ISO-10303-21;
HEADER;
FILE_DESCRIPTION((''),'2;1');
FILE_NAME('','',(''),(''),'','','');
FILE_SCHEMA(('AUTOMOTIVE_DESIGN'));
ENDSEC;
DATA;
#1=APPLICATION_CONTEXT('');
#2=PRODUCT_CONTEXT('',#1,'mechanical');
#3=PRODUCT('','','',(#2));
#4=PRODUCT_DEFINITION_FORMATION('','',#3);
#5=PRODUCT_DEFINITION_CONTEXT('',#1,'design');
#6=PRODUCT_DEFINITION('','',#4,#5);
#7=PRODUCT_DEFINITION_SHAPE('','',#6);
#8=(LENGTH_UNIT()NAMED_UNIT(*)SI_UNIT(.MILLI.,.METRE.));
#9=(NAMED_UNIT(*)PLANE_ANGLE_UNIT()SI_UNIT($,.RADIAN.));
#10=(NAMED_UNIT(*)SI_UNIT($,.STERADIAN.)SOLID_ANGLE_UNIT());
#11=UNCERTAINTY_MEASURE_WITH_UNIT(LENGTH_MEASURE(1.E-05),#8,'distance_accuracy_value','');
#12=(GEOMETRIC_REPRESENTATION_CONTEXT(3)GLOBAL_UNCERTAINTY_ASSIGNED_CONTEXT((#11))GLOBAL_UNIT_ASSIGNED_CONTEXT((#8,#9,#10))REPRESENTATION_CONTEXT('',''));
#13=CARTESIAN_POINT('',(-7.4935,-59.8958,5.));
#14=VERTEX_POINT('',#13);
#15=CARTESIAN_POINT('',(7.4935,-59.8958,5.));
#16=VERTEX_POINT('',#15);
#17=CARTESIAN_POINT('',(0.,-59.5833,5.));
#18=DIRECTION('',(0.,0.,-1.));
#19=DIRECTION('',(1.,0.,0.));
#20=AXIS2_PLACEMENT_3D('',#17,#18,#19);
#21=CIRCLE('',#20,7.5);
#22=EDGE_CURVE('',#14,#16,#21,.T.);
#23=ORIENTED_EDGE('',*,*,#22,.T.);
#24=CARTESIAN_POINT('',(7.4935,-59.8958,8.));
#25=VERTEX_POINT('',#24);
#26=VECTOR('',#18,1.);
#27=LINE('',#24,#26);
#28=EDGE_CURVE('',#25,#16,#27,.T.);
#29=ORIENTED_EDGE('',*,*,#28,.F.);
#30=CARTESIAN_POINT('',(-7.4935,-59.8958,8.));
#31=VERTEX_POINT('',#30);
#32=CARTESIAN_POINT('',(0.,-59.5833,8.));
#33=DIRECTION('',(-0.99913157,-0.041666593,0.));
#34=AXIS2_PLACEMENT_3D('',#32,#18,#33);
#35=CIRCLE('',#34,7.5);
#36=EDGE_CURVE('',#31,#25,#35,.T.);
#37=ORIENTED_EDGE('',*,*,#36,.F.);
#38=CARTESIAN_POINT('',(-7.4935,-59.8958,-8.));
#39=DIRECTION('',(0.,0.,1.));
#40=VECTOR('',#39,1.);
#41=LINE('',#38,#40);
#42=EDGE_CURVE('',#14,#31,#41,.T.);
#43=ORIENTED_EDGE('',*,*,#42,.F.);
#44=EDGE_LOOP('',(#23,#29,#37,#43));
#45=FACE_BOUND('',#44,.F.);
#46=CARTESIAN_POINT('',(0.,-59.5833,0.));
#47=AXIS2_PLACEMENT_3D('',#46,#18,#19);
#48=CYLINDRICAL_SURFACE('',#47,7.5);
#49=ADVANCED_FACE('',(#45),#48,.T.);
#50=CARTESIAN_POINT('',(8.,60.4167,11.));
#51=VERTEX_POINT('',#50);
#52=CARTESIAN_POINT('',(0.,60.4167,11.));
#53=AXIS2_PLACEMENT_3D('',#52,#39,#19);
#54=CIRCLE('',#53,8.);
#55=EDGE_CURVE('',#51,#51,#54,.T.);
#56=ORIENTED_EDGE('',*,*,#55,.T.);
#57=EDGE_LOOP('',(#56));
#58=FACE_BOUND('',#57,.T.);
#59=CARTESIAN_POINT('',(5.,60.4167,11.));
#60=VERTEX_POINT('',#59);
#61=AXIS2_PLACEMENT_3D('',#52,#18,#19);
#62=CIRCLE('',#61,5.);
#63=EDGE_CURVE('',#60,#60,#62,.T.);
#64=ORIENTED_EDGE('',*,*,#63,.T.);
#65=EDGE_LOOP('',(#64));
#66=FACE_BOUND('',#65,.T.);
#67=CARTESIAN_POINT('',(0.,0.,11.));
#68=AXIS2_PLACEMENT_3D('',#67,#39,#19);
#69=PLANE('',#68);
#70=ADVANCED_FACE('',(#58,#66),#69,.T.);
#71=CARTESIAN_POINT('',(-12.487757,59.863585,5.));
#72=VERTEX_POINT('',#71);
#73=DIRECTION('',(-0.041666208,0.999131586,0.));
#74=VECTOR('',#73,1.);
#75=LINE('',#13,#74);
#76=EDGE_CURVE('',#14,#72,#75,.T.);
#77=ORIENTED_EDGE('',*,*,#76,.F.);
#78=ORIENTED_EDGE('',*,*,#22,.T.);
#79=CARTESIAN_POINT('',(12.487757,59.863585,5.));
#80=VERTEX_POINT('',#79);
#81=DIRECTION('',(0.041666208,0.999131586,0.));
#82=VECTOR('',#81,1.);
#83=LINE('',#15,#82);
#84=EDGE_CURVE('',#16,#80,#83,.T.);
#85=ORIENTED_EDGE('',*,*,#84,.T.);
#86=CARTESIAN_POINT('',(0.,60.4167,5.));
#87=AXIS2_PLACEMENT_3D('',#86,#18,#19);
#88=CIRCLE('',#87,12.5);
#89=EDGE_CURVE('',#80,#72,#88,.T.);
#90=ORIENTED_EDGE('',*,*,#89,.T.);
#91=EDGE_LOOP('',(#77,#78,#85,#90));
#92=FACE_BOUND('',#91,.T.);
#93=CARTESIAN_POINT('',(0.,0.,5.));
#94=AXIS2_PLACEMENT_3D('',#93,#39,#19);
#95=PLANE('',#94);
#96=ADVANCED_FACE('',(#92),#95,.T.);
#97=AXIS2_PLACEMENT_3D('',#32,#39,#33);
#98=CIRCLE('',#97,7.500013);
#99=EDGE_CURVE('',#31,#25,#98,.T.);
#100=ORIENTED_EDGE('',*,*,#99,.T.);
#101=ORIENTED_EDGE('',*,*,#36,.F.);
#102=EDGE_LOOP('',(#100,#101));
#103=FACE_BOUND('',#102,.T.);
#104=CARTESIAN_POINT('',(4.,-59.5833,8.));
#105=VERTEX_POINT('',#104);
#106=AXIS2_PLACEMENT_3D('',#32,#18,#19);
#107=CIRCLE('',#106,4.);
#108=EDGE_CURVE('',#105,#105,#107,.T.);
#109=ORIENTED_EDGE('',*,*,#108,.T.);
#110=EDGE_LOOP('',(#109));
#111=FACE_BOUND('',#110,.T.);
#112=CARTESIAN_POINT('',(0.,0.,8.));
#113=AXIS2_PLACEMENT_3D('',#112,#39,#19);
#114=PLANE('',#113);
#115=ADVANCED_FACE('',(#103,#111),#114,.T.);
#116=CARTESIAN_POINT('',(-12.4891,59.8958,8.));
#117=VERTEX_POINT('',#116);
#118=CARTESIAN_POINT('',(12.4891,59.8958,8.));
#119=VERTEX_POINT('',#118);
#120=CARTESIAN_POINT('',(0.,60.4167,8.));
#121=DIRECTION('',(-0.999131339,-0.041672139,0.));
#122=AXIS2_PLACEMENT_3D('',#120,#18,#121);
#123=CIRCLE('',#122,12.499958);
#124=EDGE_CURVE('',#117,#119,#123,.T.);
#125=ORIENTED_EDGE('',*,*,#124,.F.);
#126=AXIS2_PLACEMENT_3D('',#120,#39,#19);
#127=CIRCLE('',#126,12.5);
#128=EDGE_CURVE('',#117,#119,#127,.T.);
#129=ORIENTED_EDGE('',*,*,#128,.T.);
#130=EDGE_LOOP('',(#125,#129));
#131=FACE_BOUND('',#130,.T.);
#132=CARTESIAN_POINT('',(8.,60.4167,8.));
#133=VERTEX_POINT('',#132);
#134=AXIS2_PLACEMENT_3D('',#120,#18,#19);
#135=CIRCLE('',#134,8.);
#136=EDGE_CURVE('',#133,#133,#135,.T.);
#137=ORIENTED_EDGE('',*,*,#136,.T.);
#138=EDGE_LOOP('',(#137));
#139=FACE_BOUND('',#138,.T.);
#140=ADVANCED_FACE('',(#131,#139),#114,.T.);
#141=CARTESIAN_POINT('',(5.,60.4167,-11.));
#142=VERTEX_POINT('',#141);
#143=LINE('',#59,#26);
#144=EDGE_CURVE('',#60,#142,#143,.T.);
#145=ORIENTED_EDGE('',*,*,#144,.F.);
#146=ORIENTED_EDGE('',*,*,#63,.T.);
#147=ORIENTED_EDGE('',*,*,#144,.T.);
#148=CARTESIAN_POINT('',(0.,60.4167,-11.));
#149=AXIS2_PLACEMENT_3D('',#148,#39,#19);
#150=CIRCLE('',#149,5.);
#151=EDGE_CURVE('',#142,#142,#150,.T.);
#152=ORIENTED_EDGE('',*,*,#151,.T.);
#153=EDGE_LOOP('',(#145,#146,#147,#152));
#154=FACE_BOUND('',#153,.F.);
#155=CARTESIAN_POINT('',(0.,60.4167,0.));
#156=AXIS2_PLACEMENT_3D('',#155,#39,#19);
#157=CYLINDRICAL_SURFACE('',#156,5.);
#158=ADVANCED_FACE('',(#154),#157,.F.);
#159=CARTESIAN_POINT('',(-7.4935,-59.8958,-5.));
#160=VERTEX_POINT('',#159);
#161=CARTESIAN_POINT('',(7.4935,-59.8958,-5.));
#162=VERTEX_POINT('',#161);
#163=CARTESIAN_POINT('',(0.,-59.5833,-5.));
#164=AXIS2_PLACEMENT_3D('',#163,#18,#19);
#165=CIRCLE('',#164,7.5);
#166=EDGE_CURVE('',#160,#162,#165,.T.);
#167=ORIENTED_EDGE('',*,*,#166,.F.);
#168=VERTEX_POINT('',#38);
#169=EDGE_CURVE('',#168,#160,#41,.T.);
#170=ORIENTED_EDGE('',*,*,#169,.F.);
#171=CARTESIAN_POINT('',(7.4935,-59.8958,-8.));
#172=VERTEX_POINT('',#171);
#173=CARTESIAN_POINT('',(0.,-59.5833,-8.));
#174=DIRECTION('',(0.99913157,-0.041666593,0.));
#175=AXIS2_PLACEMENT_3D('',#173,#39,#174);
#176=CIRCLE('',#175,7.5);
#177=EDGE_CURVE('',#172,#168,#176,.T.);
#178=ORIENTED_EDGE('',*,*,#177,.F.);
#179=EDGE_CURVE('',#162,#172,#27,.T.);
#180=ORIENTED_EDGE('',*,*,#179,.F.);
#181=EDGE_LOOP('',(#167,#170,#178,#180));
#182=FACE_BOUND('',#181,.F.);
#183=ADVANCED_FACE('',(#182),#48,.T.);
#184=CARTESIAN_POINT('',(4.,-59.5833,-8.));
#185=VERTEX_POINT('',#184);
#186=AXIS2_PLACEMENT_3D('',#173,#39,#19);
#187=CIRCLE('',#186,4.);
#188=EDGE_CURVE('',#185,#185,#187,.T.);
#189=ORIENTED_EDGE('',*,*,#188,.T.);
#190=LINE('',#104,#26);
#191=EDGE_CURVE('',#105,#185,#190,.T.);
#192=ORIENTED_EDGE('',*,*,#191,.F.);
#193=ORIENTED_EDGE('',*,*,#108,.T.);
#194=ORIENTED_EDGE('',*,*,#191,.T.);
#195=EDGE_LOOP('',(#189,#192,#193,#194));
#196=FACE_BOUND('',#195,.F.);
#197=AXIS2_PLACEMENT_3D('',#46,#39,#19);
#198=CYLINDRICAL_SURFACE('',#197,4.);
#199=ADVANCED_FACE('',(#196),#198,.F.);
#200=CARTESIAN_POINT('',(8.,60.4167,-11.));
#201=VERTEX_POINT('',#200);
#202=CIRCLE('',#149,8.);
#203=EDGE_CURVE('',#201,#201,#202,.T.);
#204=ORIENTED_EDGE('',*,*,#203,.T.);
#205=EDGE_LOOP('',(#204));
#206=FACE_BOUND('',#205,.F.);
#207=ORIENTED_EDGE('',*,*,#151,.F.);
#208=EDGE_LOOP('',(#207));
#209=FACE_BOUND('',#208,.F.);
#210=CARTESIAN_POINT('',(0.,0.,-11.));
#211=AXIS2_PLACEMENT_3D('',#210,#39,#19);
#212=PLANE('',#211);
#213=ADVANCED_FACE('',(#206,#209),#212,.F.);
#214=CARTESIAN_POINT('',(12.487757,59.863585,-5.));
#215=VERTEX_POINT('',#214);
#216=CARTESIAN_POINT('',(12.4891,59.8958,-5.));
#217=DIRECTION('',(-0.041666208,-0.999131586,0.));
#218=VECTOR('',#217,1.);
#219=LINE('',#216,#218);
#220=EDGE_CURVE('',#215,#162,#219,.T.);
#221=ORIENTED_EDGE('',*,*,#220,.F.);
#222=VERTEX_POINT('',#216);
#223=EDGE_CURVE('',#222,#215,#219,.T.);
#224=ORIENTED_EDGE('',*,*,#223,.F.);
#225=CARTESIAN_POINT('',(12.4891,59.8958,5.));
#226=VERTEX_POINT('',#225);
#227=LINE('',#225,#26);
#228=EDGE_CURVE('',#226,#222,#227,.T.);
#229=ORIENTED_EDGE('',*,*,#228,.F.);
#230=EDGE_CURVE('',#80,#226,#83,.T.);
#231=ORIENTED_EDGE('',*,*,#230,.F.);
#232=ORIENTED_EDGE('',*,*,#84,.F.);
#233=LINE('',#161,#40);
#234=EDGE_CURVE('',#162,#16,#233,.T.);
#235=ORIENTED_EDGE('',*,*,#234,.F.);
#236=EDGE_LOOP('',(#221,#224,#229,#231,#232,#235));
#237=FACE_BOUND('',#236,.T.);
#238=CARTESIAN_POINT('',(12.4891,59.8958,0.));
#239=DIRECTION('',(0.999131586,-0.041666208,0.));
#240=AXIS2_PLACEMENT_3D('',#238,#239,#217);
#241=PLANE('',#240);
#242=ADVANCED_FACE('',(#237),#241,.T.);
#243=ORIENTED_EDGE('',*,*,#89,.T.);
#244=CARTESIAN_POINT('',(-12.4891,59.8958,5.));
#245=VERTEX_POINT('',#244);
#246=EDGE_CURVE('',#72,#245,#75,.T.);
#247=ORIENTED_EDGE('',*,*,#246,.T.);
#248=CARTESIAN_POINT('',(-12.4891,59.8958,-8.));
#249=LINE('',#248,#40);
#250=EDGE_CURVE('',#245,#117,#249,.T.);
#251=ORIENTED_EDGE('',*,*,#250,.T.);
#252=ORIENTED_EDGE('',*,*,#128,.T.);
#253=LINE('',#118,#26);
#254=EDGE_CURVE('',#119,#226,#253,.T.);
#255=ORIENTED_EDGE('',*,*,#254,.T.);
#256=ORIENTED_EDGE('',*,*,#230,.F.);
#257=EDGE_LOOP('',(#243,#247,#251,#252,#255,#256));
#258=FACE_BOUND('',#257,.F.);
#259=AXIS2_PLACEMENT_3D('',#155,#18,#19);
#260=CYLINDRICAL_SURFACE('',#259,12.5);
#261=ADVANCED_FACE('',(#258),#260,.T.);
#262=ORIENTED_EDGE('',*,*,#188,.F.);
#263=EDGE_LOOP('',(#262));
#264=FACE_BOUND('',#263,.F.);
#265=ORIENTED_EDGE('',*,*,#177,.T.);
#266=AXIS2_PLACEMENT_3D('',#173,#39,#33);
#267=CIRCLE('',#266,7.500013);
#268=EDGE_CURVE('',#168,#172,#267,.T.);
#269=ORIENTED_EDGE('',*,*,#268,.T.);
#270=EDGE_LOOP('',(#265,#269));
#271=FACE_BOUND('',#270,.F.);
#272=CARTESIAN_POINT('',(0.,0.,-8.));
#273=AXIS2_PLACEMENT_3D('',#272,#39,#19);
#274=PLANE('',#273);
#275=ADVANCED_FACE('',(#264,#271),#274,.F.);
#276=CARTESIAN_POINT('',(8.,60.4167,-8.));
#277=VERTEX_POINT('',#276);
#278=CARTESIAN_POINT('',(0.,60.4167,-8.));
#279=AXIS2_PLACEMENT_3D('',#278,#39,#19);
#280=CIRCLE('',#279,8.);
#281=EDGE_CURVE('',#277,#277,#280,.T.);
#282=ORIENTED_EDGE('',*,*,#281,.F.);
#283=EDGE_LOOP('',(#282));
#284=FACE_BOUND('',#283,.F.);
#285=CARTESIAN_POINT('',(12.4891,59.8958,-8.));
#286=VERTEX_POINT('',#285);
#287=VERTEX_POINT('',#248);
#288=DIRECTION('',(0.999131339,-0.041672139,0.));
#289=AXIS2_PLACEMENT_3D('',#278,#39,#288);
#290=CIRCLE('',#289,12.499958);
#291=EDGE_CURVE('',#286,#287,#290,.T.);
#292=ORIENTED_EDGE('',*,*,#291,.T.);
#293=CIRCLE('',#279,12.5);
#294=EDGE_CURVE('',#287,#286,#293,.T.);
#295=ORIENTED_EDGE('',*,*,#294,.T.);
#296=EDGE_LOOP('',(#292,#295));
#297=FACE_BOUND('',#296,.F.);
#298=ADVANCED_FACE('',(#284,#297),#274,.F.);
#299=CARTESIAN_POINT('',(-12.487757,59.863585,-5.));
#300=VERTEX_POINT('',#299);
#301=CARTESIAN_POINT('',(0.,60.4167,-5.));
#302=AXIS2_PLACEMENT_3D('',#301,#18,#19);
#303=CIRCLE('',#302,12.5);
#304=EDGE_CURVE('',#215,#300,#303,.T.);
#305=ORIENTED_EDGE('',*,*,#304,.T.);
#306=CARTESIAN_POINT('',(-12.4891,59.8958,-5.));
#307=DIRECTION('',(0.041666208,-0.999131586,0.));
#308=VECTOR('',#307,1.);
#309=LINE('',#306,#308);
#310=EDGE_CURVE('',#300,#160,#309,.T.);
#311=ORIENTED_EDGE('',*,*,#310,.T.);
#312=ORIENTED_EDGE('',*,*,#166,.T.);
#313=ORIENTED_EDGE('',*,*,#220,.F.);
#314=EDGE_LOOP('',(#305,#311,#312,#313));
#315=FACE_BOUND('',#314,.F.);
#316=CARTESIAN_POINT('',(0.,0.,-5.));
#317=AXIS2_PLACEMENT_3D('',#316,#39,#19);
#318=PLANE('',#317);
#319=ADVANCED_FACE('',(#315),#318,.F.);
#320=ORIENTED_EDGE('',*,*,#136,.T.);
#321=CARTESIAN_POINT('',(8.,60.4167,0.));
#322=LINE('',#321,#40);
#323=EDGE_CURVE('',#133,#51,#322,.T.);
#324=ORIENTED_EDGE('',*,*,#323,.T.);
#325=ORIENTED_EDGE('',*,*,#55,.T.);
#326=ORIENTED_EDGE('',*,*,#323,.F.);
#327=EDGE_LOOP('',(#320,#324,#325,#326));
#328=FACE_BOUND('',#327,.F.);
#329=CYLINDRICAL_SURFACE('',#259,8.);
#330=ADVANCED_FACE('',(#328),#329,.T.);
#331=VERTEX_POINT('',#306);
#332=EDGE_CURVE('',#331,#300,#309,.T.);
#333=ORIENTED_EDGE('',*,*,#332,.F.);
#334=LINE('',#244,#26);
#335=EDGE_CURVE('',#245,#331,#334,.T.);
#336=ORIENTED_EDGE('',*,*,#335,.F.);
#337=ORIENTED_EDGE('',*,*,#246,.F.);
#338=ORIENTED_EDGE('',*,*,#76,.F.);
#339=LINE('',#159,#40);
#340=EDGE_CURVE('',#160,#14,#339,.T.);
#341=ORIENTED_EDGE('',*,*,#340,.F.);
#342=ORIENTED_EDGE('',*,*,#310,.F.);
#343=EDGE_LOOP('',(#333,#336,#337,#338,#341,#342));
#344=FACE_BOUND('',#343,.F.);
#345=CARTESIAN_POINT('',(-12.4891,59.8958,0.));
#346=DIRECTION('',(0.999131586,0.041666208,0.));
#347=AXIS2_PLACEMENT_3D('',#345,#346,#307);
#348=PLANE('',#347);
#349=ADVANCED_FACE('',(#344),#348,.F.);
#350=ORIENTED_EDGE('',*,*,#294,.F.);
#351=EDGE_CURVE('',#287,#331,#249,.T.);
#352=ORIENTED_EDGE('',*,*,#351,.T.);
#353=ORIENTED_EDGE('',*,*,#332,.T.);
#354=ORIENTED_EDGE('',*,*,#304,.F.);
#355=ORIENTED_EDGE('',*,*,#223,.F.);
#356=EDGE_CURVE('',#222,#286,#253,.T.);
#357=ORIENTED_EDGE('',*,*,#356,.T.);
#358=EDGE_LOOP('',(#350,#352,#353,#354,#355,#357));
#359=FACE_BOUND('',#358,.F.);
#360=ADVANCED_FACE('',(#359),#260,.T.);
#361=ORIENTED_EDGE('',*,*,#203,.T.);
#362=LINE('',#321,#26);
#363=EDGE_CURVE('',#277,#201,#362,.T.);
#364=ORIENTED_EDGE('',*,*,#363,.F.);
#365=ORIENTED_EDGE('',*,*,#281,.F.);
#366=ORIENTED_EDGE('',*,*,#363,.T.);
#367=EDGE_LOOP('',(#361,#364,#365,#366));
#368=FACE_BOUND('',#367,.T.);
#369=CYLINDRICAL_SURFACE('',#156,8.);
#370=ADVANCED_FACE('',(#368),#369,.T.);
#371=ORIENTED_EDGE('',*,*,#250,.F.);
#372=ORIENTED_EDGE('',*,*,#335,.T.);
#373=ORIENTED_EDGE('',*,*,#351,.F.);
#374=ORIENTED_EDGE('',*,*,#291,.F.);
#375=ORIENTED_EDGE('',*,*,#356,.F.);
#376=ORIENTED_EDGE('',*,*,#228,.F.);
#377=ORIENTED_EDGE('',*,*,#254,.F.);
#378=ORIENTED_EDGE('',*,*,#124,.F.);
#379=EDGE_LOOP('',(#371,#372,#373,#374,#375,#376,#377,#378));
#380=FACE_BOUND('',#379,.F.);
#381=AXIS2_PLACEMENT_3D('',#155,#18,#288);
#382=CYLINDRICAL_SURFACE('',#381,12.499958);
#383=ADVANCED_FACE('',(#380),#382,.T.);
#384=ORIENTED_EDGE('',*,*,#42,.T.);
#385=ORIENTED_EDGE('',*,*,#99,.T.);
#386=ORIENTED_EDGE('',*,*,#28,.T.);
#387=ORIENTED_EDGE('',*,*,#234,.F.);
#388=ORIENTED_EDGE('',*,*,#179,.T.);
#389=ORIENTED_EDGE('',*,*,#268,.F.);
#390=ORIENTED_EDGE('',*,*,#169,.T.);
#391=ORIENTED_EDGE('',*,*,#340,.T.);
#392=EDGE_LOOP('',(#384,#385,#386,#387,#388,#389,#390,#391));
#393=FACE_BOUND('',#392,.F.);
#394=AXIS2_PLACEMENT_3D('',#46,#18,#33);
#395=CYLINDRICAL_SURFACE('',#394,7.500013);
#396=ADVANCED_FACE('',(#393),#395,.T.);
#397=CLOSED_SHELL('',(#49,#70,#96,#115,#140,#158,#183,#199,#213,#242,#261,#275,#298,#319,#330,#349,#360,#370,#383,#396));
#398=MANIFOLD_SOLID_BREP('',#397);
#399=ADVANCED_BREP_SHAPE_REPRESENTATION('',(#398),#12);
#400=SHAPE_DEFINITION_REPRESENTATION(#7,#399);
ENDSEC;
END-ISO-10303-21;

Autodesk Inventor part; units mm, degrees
ref_plane "YZ Plane" through (0, 0, 0) normal (1, 0, 0) x (0, 1, 0)
ref_plane "XZ Plane" through (0, 0, 0) normal (0, 1, 0) x (-1, 0, 0)
ref_plane "XY Plane" through (0, 0, 0) normal (0, 0, 1) x (1, 0, 0)
sketch "Sketch1" plane through (0, 0, 0) normal (0, 0, 1) x (1, 0, 0)
  line L0 (-17.5, 0) -> (17.5, 0) projected
  line L1 (0, -95.0833) -> (0, 100.9167) projected
  arc A0 (12.4891, 59.8958) -> (-12.4891, 59.8958) centre (0, 60.4167) ccw
  arc A1 (-7.4935, -59.8958) -> (7.4935, -59.8958) centre (0, -59.5833) ccw
  line L2 (-12.4891, 59.8958) -> (-7.4935, -59.8958)
  line L3 (12.4891, 59.8958) -> (7.4935, -59.8958)
  point P0 (0, 0)
  point P1 (-9.9913, 0)
  dimension "d0" = 25
  dimension "d1" = 15
  dimension "d2" = 120
extrude "Extrusion1" add sketch "Sketch1" along normal mid plane 10
sketch "Sketch2" plane through (0, 0, 0) normal (0, 0, 1) x (1, 0, 0)
  line L0 (-7.4935, -59.8958) -> (-12.4891, 59.8958) projected
  arc A0 (12.4891, 59.8958) -> (-12.4891, 59.8958) centre (0, 60.4167) ccw projected
  line L1 (12.4891, 59.8958) -> (7.4935, -59.8958) projected
  arc A1 (-7.4935, -59.8958) -> (7.4935, -59.8958) centre (0, -59.5833) ccw projected
  circle A2 centre (0, 60.4167) radius 12.5
  circle A3 centre (0, -59.5833) radius 7.5
  point P0 (0, 0)
extrude "Extrusion2" add sketch "Sketch2" along normal mid plane 16 contours A3 A1 | A0 A2
sketch "Sketch3" plane through (0, 0, 0) normal (0, 0, 1) x (1, 0, 0)
  circle A0 centre (0, 60.4167) radius 8
  circle A1 centre (0, 60.4167) radius 12.5 projected
  point P0 (0, 0)
  dimension "d7" = 16
extrude "Extrusion3" add sketch "Sketch3" along normal mid plane 22 contours A0
sketch "Sketch4" plane through (0, 0, 0) normal (0, 0, 1) x (1, 0, 0)
  arc A0 (7.4935, -59.8958) -> (-7.4935, -59.8958) centre (0, -59.5833) ccw projected
  line L0 (-7.4935, -59.8958) -> (-12.4891, 59.8958) projected
  arc A1 (-12.4891, 59.8958) -> (12.4891, 59.8958) centre (0, 60.4167) ccw projected
  line L1 (12.4891, 59.8958) -> (7.4935, -59.8958) projected
  circle A2 centre (0, 60.4167) radius 8 projected
  circle A3 centre (0, 60.4167) radius 12.5 projected
  circle A4 centre (0, -59.5833) radius 7.5 projected
  circle A5 centre (0, 60.4167) radius 5
  circle A6 centre (0, -59.5833) radius 4
  point P0 (0, 0)
  dimension "d10" = 10
  dimension "d11" = 8
extrude "Extrusion4" cut sketch "Sketch4" along normal through all both and the other way through all contours A5 | A6
properties part number "Connector_Rod" material "Steel, Carbon"
